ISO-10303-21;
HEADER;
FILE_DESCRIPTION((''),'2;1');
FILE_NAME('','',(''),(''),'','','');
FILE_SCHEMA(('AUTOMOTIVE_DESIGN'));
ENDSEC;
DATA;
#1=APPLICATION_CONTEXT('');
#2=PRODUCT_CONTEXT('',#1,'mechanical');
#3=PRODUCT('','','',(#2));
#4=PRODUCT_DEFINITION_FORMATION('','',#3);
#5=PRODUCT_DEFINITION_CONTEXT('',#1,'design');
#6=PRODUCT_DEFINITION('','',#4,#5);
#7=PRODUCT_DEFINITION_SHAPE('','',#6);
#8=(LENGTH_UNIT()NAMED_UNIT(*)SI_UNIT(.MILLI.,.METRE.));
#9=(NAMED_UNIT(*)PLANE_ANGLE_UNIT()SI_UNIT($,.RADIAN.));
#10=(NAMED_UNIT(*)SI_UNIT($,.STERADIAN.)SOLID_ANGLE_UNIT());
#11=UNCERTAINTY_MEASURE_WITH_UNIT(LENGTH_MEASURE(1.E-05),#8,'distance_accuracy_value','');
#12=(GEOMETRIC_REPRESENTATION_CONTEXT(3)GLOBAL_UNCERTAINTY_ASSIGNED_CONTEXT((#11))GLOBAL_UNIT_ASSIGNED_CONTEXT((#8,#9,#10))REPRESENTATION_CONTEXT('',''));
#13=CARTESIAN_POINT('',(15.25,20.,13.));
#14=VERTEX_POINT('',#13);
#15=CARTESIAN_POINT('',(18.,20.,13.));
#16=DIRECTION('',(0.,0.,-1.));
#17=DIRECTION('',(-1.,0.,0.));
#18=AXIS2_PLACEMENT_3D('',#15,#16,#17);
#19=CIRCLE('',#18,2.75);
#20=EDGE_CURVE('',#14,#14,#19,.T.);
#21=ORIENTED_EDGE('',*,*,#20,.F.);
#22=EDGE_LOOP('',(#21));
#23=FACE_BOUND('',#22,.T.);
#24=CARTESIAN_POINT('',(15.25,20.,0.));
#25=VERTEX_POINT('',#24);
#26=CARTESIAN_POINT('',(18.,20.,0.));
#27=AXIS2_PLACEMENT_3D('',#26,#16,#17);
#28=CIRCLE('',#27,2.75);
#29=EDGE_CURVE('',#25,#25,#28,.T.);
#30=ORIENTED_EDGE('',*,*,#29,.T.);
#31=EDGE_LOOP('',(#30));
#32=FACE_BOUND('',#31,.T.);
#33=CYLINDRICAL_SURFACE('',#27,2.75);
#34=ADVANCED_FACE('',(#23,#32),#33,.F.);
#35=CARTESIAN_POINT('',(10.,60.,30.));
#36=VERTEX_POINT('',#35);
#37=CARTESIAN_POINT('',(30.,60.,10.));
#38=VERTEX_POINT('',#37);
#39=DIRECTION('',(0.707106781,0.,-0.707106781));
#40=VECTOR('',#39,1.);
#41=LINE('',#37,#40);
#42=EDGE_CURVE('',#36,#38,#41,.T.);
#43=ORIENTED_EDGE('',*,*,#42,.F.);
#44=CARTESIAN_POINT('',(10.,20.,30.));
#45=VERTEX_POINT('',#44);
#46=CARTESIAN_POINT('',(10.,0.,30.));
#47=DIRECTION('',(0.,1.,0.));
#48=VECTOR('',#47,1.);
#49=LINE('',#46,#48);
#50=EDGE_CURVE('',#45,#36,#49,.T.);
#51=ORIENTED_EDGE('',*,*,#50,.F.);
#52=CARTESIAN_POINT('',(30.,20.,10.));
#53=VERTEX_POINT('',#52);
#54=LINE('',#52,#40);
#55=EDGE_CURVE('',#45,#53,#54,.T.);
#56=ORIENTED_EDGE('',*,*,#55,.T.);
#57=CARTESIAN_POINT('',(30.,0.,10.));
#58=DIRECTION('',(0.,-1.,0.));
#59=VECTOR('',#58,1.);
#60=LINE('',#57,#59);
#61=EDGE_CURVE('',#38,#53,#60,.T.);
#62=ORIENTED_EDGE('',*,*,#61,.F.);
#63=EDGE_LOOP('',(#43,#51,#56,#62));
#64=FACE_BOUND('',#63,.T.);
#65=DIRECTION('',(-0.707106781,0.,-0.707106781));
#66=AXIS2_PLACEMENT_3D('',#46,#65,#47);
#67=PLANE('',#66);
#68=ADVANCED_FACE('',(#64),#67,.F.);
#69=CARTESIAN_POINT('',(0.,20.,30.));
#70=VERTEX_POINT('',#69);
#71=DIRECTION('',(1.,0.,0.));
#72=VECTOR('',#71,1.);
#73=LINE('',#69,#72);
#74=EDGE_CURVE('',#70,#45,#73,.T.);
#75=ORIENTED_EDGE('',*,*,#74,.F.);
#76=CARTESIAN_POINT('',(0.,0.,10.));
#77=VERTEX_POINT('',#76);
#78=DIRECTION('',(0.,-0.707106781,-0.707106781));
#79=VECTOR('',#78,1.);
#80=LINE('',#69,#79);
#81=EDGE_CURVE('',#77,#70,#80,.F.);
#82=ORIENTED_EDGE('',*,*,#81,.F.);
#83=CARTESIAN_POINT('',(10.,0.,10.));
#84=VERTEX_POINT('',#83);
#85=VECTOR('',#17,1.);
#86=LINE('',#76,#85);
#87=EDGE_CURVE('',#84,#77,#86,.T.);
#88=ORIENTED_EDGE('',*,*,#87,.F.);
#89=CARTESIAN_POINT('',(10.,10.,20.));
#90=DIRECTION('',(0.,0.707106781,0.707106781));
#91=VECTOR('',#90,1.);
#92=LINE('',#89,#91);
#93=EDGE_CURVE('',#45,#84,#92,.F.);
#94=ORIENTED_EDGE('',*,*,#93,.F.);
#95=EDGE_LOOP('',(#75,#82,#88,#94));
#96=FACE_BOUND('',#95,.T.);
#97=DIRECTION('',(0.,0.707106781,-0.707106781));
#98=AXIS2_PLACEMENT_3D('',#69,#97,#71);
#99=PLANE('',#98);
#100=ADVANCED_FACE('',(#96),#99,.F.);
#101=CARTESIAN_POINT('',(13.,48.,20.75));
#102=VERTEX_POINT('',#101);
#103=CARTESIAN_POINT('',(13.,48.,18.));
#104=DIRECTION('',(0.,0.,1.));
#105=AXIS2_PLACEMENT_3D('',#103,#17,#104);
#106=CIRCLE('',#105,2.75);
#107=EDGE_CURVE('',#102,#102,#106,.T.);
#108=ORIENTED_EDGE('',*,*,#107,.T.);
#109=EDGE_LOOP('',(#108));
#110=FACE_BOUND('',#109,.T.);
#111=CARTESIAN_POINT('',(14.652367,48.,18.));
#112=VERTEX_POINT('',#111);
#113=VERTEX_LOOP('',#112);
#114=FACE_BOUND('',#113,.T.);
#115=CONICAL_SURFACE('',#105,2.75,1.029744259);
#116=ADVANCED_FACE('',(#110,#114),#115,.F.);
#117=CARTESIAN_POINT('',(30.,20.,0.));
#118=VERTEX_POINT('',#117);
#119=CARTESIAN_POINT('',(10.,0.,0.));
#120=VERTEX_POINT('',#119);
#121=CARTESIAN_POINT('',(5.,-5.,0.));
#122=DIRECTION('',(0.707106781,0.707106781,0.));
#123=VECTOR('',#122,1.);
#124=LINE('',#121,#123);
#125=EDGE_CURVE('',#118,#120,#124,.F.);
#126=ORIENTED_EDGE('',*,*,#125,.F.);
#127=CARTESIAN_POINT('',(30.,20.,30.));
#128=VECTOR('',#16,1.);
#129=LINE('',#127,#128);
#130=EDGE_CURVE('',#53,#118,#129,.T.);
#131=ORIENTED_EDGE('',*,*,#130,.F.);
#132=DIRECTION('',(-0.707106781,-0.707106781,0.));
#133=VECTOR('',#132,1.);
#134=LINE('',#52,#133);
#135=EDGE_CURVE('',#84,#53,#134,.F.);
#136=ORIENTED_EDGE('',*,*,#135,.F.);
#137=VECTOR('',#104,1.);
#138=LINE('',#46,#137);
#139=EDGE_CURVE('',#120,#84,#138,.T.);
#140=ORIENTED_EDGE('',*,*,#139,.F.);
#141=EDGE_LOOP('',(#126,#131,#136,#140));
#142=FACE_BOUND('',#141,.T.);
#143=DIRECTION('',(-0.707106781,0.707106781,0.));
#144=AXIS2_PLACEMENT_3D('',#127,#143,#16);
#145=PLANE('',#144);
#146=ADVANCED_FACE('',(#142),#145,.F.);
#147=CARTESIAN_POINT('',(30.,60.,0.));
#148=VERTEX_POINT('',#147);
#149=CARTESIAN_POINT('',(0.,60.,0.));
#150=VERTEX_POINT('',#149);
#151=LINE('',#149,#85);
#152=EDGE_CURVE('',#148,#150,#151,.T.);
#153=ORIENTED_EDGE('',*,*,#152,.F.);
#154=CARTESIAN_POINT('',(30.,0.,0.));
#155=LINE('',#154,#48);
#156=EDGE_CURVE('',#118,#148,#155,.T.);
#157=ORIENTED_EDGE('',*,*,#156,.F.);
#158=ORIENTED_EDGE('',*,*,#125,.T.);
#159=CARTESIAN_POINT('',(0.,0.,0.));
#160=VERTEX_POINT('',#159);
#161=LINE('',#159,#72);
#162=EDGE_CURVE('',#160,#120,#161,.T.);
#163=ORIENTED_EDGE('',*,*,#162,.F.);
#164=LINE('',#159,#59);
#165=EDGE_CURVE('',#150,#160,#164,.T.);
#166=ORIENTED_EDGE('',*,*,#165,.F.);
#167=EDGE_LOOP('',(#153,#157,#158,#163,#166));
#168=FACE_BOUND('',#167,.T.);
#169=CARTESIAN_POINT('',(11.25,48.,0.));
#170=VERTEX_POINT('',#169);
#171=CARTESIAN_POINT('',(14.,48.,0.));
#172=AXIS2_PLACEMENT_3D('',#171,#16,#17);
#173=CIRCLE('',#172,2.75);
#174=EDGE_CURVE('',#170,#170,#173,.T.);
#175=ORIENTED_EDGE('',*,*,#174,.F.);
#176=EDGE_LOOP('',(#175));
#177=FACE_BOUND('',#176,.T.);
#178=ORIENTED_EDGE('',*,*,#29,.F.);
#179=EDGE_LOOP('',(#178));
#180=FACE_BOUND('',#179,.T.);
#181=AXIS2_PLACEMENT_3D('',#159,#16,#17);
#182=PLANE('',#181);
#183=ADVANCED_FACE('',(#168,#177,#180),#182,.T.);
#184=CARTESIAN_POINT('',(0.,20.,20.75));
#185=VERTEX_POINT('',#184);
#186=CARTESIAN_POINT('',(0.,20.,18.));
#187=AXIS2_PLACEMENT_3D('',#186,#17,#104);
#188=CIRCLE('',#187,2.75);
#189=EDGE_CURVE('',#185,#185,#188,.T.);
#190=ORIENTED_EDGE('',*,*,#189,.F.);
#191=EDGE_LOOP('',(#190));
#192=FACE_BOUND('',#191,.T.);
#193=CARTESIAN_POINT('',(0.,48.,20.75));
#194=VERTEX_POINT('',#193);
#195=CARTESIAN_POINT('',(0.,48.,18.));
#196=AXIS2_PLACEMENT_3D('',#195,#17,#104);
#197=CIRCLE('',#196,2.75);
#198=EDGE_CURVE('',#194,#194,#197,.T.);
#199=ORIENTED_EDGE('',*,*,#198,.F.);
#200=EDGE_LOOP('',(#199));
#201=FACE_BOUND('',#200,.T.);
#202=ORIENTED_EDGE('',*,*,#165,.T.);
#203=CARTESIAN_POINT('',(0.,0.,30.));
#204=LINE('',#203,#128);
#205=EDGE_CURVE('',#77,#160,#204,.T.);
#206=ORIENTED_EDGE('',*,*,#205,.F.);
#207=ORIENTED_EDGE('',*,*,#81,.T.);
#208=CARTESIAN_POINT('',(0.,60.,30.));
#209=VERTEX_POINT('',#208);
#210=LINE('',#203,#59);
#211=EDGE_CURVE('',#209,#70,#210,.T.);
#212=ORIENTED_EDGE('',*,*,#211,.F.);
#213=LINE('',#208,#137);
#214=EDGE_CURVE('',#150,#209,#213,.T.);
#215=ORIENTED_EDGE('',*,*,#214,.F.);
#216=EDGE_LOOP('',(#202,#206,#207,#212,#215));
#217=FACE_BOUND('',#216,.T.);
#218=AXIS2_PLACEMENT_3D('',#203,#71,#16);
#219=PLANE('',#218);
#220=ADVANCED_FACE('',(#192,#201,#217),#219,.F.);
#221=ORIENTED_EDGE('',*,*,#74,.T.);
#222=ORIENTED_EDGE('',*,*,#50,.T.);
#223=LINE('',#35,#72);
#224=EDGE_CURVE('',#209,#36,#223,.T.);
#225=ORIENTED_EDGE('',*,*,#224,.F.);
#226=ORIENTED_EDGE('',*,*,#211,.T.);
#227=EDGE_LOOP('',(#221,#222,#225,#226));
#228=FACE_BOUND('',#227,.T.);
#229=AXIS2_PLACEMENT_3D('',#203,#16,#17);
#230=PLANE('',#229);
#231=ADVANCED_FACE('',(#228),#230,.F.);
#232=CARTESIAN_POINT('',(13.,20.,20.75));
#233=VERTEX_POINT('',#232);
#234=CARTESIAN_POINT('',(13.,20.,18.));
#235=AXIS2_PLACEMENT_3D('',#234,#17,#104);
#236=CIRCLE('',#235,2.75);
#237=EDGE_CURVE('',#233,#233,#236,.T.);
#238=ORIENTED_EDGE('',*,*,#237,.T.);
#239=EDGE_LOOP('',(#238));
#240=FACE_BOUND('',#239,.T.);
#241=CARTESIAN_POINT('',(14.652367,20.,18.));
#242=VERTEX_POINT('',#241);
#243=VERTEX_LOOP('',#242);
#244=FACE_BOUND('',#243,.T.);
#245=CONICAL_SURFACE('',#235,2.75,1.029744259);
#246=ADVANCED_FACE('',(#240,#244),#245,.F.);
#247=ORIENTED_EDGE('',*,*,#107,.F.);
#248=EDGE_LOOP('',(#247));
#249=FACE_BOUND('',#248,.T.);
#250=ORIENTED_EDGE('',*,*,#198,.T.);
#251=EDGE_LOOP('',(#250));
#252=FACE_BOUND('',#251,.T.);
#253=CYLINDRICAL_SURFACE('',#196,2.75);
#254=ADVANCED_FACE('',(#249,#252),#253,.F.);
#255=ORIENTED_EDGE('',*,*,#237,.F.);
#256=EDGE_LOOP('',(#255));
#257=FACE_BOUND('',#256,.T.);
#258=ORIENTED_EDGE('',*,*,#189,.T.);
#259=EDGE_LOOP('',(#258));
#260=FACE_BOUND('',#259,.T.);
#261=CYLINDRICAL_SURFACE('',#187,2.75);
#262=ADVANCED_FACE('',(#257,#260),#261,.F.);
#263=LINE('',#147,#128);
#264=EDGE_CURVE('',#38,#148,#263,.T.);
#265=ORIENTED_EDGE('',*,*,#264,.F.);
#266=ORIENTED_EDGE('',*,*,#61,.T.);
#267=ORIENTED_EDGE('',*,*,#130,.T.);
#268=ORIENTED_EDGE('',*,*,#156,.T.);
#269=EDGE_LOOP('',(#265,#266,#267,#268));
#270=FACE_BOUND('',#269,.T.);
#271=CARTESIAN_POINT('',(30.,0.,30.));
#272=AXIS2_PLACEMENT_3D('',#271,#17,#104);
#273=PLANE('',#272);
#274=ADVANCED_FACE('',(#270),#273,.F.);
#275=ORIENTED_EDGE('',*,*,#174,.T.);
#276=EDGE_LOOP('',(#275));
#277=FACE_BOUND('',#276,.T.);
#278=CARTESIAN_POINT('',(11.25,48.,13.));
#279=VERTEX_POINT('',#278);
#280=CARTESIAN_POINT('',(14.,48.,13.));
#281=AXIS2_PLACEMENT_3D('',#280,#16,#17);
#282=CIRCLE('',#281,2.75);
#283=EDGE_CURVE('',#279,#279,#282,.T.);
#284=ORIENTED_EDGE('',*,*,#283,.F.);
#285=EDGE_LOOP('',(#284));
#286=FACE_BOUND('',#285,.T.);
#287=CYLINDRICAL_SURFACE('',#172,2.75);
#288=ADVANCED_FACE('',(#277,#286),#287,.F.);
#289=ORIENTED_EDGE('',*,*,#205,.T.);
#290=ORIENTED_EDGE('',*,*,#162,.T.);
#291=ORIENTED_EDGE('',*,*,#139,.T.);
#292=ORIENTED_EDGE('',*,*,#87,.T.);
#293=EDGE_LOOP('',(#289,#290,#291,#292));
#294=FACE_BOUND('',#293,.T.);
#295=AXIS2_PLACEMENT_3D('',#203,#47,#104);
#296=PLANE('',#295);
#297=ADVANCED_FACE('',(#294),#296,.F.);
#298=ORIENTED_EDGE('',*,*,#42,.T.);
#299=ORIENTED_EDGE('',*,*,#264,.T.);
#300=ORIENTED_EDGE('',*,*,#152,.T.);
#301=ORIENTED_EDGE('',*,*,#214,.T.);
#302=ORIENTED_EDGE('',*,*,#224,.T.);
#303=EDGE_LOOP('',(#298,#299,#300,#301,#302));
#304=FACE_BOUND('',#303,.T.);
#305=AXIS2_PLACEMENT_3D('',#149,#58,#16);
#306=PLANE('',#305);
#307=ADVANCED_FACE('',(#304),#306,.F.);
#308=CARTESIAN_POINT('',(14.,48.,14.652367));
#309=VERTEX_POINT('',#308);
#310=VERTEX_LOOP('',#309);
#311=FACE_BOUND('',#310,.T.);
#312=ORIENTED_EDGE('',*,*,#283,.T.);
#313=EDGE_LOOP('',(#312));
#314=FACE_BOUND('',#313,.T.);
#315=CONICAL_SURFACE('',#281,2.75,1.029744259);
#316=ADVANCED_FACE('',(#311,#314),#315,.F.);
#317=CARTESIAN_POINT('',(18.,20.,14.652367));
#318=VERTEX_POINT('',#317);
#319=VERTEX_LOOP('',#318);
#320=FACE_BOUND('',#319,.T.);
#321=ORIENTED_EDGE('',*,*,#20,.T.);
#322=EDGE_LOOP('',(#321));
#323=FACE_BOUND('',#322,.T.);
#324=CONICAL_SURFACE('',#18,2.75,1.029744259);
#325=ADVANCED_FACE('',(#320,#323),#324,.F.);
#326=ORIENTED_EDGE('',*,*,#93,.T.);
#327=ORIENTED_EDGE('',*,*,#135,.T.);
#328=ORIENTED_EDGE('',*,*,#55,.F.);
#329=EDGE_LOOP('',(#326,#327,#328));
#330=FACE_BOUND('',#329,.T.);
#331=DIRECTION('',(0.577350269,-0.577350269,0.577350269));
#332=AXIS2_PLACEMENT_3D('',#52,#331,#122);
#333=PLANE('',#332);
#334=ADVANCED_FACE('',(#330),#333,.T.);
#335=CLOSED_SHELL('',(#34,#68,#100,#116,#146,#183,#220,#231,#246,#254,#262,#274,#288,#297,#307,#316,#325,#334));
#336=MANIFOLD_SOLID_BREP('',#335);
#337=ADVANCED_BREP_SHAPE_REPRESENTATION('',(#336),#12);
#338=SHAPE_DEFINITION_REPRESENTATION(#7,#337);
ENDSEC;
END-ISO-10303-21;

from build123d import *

# Parameters (mm, degrees)
SCHIZZO1_W                   = 30
SCHIZZO1_H                   = 40
ESTRUSIONE_ESTRUSIONE1_DEPTH = 30
SMUSSO1_SIZE                 = 20
ESTRUSIONE_ESTRUSIONE2_DEPTH = 20
FORO_PER_VITE_M5_1_D         = 5.5
FORO_PER_VITE_M5_1_DEPTH     = 13
FORO_PER_VITE_M5_1_TIP       = 1.652366702
FORO_PER_VITE_M5_2_D         = 5.5
FORO_PER_VITE_M5_2_DEPTH     = 13
FORO_PER_VITE_M5_2_TIP       = 1.652366702


with BuildPart() as part:
    # Schizzo1 → Estrusione-Estrusione1 (new body)
    with BuildSketch(Plane.XY):
        with Locations((15, 20)):
            Rectangle(SCHIZZO1_W, SCHIZZO1_H)
    extrude(amount=ESTRUSIONE_ESTRUSIONE1_DEPTH)

    # Smusso1
    smusso1_edges = [part.edges().sort_by_distance(p)[0] for p in [
        (30, 20, 30),
        (30, 0, 15),
        (15, 0, 30),
    ]]
    chamfer(smusso1_edges, length=SMUSSO1_SIZE)

    # Schizzo2 → Estrusione-Estrusione2 (add)
    with BuildSketch(Plane(origin=(0, 40, 0), x_dir=(1, 0, 0), z_dir=(0, 1, 0))):
        Polygon((0, 0), (30, 0), (30, -10), (10, -30), (0, -30), align=None)
    extrude(amount=ESTRUSIONE_ESTRUSIONE2_DEPTH)

    # Foro per Vite M5-1
    with Locations(Plane.ZY):
        with Locations((18, 20), (18, 48)):
            Hole(FORO_PER_VITE_M5_1_D / 2, depth=FORO_PER_VITE_M5_1_DEPTH)
            with Locations((0, 0, -(FORO_PER_VITE_M5_1_DEPTH + FORO_PER_VITE_M5_1_TIP / 2))):  # 118° drill point
                Cone(0, FORO_PER_VITE_M5_1_D / 2, FORO_PER_VITE_M5_1_TIP, mode=Mode.SUBTRACT)

    # Foro per Vite M5-2
    with Locations(Plane(origin=(18, 20, 0), x_dir=(-1, 0, 0), z_dir=(0, 0, -1))):
        with Locations((0, 0), (4, 28)):
            Hole(FORO_PER_VITE_M5_2_D / 2, depth=FORO_PER_VITE_M5_2_DEPTH)
            with Locations((0, 0, -(FORO_PER_VITE_M5_2_DEPTH + FORO_PER_VITE_M5_2_TIP / 2))):  # 118° drill point
                Cone(0, FORO_PER_VITE_M5_2_D / 2, FORO_PER_VITE_M5_2_TIP, mode=Mode.SUBTRACT)


solid = part.part
